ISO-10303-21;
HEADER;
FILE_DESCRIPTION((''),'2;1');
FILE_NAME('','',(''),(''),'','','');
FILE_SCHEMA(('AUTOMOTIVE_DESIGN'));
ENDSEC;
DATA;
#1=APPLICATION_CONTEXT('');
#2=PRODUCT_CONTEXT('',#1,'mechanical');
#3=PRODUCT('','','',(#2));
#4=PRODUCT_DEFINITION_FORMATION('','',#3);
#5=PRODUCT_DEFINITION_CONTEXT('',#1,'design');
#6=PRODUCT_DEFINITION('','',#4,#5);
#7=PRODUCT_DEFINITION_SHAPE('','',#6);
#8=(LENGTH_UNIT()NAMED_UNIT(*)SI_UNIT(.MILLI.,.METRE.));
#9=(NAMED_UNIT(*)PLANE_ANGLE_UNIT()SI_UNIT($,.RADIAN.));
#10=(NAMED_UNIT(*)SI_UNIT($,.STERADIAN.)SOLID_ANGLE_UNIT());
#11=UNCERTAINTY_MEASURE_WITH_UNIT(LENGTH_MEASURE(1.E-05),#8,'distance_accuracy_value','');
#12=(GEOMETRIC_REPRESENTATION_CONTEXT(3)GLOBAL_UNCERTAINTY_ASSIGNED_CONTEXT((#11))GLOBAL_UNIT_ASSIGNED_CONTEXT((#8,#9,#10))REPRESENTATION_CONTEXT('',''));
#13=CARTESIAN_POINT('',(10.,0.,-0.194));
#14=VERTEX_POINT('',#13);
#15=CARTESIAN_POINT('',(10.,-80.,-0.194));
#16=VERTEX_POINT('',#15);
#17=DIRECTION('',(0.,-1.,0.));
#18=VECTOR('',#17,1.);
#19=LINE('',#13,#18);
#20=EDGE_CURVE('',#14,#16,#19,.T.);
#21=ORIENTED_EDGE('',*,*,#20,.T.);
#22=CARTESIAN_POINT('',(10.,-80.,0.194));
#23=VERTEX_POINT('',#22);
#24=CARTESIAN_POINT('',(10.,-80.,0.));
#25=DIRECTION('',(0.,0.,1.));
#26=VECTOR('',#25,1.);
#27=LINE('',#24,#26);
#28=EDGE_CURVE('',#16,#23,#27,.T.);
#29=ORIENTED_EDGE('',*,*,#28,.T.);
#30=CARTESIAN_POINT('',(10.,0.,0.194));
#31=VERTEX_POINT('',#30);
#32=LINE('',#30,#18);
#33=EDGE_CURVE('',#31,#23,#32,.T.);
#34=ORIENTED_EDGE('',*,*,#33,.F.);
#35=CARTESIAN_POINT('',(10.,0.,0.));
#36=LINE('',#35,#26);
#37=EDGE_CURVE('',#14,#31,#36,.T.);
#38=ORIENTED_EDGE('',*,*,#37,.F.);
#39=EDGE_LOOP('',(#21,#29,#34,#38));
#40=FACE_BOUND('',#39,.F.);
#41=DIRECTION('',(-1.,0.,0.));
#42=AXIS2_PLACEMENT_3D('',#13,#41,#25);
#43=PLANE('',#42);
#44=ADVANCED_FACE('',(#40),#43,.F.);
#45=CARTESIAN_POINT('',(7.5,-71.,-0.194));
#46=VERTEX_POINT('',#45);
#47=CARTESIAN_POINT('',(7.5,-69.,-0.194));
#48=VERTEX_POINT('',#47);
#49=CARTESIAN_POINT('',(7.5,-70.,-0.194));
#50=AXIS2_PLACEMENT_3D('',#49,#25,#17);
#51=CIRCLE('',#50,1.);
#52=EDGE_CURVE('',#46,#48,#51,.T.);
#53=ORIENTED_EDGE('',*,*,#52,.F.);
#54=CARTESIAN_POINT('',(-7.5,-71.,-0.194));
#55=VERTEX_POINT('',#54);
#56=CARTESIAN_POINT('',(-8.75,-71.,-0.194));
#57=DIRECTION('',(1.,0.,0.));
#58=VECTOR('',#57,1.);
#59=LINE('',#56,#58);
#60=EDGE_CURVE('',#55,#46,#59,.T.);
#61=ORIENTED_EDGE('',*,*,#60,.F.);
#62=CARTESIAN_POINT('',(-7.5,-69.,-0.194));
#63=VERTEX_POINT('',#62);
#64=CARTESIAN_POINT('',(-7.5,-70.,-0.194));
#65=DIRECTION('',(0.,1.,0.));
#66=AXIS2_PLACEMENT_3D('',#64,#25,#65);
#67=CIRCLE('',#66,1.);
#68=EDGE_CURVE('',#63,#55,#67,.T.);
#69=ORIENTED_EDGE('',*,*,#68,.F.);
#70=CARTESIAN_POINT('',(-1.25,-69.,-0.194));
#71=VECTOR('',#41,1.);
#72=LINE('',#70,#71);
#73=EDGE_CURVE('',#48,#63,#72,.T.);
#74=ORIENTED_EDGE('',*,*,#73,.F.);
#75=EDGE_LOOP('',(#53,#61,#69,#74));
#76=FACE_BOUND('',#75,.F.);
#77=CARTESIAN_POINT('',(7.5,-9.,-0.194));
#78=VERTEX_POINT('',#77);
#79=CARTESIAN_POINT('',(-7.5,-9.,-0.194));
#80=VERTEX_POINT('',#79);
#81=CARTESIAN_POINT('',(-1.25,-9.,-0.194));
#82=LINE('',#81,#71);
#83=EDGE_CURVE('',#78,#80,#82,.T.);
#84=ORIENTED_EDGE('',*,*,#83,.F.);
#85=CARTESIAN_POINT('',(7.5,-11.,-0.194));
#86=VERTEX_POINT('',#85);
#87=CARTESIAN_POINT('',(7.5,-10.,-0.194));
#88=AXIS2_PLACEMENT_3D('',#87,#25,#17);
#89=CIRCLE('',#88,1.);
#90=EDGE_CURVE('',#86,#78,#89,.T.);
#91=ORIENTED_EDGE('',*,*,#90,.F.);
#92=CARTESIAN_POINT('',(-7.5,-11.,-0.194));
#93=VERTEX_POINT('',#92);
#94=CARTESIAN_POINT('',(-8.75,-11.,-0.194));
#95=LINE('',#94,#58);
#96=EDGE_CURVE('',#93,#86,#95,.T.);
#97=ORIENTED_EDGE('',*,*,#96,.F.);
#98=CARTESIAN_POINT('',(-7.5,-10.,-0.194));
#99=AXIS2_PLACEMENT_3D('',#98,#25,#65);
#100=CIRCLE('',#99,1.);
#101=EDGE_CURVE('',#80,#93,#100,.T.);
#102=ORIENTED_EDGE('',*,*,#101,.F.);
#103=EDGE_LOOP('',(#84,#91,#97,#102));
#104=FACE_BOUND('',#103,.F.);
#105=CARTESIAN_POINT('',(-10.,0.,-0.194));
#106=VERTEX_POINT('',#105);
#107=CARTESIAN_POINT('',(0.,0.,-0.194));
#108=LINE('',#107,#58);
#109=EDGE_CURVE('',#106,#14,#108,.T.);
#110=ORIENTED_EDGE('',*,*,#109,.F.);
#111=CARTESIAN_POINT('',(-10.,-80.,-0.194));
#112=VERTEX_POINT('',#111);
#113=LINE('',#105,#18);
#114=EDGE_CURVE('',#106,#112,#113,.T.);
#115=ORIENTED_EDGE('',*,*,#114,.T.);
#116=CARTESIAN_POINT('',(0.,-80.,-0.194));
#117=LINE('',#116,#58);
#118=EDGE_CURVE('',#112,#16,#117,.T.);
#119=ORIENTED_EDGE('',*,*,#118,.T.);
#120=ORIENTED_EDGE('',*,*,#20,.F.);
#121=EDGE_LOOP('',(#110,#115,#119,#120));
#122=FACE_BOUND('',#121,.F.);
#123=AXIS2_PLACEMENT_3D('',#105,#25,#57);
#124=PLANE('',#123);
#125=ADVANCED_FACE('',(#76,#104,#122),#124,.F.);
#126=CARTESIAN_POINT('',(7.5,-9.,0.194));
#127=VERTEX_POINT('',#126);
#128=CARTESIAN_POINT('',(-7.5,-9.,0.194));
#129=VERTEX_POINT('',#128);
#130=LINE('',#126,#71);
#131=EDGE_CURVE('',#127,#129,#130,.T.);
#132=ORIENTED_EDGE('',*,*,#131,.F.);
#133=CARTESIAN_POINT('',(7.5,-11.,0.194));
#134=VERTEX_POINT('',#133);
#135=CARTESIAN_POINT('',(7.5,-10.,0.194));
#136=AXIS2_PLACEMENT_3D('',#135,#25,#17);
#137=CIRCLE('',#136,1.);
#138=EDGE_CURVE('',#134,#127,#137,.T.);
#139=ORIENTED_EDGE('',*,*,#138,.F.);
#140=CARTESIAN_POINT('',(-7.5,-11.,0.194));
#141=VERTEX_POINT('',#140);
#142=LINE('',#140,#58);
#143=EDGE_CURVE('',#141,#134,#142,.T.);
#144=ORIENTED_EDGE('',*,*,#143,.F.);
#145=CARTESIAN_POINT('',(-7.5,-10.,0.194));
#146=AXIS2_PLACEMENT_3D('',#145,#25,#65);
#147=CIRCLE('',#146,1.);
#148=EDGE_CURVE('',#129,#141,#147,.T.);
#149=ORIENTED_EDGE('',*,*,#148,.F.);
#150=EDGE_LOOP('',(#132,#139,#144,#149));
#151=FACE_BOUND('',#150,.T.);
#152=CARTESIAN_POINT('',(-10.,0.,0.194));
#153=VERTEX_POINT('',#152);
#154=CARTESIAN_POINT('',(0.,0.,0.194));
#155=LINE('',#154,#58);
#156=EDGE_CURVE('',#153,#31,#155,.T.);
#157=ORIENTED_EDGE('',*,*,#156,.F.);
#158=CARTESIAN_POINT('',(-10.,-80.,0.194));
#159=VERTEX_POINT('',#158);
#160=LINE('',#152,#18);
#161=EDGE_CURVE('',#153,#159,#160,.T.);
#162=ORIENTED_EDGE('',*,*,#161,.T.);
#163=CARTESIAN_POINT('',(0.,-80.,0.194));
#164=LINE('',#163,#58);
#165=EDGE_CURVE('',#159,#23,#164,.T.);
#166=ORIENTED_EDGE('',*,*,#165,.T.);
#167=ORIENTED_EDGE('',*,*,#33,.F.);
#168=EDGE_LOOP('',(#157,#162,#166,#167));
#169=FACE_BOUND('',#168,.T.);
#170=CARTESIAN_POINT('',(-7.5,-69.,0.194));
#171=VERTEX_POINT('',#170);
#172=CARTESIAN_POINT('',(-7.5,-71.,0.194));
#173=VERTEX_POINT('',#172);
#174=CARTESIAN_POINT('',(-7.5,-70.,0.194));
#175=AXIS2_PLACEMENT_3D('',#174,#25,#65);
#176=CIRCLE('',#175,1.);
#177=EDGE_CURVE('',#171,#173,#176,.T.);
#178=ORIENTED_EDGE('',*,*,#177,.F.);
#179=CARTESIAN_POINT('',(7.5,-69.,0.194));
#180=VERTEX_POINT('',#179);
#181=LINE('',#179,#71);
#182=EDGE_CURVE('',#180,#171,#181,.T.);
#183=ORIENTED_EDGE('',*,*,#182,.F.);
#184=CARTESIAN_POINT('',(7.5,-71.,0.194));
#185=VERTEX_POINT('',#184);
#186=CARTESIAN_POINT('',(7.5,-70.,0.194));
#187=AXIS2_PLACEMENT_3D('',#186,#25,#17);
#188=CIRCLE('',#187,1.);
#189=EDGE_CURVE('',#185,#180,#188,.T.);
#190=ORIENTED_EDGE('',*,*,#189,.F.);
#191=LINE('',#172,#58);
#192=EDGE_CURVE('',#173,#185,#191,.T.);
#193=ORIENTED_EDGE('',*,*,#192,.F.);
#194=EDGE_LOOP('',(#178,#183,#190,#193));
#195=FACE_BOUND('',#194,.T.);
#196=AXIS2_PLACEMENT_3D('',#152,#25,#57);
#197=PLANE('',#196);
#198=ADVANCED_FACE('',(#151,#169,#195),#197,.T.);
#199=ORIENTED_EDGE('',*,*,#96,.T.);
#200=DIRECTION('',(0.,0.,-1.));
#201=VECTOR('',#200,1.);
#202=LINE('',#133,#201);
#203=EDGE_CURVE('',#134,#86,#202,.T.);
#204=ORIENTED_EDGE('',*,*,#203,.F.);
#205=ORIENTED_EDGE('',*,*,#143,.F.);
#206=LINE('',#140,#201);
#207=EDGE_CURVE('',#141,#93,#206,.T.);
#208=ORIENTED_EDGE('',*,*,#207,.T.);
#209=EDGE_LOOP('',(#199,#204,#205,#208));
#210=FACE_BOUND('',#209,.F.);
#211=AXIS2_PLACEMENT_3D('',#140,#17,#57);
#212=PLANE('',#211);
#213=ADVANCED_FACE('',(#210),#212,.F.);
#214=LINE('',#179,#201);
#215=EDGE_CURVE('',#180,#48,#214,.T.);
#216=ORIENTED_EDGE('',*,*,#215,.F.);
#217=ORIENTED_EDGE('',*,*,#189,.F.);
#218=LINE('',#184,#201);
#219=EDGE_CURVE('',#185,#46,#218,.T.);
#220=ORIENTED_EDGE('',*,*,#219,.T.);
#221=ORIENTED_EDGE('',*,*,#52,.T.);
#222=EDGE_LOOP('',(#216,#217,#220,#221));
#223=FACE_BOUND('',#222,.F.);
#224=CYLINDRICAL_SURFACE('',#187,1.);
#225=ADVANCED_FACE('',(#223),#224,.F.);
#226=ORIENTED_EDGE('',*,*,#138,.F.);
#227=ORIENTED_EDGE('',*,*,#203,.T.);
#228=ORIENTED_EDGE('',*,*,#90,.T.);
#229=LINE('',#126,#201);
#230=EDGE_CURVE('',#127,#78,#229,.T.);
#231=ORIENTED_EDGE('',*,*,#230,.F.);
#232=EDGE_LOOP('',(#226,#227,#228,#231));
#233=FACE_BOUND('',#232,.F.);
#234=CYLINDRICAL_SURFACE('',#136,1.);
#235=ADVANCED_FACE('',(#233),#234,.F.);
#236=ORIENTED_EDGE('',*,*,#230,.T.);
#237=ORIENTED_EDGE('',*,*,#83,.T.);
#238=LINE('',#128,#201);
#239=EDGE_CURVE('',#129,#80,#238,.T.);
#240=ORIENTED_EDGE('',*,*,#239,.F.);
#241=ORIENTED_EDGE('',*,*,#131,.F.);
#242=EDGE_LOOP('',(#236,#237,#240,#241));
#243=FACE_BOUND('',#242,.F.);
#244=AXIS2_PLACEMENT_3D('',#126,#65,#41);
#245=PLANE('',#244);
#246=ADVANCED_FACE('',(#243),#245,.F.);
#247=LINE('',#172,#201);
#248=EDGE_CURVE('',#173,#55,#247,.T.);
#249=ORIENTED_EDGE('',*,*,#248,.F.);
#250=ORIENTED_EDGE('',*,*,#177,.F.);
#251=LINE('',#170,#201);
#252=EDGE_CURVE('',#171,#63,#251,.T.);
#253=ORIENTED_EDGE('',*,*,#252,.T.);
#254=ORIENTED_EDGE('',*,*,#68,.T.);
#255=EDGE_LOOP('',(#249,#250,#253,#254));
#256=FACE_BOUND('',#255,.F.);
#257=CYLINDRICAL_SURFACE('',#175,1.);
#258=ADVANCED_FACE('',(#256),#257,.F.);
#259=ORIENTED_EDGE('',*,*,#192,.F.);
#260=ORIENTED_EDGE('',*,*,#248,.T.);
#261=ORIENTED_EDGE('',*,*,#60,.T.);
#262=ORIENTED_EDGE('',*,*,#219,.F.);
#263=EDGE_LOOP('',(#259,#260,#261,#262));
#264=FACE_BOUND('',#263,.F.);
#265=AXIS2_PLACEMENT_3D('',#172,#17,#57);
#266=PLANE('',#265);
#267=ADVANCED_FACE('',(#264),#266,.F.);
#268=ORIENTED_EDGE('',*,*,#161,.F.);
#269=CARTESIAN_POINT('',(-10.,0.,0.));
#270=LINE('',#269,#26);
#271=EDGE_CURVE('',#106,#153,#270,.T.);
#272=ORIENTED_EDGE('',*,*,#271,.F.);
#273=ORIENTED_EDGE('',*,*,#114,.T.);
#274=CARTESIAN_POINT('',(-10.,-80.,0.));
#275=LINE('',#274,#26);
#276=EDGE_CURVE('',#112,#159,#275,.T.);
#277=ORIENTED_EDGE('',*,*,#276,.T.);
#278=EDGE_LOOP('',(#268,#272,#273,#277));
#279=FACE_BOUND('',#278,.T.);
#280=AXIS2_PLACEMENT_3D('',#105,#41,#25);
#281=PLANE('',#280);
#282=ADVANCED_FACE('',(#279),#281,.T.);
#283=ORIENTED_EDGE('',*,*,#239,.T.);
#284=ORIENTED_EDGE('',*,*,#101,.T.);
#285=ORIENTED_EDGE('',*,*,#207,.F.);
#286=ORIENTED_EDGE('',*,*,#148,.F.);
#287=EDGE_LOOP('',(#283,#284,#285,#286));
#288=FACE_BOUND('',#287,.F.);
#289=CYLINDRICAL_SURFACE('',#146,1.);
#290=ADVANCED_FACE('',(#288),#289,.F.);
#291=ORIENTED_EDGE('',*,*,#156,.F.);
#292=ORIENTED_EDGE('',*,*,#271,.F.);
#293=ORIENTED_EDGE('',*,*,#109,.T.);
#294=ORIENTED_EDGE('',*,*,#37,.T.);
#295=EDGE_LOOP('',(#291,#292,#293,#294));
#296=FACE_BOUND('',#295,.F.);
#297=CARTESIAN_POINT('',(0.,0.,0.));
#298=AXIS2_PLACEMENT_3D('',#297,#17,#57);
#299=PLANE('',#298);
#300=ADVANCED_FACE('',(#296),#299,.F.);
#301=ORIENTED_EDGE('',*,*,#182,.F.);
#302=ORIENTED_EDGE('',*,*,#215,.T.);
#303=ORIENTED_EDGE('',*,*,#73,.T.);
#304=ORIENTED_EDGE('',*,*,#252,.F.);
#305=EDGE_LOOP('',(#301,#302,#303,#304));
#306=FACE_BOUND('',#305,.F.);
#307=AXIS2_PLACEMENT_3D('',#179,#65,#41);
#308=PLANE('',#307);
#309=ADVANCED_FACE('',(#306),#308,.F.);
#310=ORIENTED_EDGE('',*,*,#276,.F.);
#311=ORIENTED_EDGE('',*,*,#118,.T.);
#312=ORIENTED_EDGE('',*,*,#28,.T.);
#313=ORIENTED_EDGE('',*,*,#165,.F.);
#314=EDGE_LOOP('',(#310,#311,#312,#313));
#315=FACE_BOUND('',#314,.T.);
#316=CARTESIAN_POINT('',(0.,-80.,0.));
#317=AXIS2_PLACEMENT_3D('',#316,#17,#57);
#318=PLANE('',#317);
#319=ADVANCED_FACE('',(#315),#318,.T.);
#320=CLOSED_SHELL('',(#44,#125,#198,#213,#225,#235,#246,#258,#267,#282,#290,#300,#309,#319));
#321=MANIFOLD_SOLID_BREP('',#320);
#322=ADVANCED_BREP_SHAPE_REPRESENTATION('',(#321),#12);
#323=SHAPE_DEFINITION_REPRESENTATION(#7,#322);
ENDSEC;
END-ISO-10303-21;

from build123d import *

# Parameters (mm, degrees)
F0_W     = 20
F0_H     = 0.388
F1_DEPTH = 80
F3_DEPTH = 25


with BuildPart() as f1:
    # F0 (on Front) → F1 (new body)
    with BuildSketch(Plane.XZ):
        Rectangle(F0_W, F0_H)
    extrude(amount=F1_DEPTH)

    # F2 (on face) → F3 (cut)
    with BuildSketch(Plane.XY.offset(0.194)):
        with BuildLine():
            ThreePointArc((-7.5, -9), (-8.5, -10), (-7.5, -11))
            Line((-7.5, -11), (7.5, -11))
            ThreePointArc((7.5, -11), (8.5, -10), (7.5, -9))
            Line((7.5, -9), (-7.5, -9))
        make_face()
        with BuildLine():
            ThreePointArc((-7.5, -69), (-8.5, -70), (-7.5, -71))
            Line((-7.5, -71), (7.5, -71))
            ThreePointArc((7.5, -71), (8.5, -70), (7.5, -69))
            Line((7.5, -69), (-7.5, -69))
        make_face()
    extrude(amount=-F3_DEPTH, mode=Mode.SUBTRACT)


solid = f1.part
